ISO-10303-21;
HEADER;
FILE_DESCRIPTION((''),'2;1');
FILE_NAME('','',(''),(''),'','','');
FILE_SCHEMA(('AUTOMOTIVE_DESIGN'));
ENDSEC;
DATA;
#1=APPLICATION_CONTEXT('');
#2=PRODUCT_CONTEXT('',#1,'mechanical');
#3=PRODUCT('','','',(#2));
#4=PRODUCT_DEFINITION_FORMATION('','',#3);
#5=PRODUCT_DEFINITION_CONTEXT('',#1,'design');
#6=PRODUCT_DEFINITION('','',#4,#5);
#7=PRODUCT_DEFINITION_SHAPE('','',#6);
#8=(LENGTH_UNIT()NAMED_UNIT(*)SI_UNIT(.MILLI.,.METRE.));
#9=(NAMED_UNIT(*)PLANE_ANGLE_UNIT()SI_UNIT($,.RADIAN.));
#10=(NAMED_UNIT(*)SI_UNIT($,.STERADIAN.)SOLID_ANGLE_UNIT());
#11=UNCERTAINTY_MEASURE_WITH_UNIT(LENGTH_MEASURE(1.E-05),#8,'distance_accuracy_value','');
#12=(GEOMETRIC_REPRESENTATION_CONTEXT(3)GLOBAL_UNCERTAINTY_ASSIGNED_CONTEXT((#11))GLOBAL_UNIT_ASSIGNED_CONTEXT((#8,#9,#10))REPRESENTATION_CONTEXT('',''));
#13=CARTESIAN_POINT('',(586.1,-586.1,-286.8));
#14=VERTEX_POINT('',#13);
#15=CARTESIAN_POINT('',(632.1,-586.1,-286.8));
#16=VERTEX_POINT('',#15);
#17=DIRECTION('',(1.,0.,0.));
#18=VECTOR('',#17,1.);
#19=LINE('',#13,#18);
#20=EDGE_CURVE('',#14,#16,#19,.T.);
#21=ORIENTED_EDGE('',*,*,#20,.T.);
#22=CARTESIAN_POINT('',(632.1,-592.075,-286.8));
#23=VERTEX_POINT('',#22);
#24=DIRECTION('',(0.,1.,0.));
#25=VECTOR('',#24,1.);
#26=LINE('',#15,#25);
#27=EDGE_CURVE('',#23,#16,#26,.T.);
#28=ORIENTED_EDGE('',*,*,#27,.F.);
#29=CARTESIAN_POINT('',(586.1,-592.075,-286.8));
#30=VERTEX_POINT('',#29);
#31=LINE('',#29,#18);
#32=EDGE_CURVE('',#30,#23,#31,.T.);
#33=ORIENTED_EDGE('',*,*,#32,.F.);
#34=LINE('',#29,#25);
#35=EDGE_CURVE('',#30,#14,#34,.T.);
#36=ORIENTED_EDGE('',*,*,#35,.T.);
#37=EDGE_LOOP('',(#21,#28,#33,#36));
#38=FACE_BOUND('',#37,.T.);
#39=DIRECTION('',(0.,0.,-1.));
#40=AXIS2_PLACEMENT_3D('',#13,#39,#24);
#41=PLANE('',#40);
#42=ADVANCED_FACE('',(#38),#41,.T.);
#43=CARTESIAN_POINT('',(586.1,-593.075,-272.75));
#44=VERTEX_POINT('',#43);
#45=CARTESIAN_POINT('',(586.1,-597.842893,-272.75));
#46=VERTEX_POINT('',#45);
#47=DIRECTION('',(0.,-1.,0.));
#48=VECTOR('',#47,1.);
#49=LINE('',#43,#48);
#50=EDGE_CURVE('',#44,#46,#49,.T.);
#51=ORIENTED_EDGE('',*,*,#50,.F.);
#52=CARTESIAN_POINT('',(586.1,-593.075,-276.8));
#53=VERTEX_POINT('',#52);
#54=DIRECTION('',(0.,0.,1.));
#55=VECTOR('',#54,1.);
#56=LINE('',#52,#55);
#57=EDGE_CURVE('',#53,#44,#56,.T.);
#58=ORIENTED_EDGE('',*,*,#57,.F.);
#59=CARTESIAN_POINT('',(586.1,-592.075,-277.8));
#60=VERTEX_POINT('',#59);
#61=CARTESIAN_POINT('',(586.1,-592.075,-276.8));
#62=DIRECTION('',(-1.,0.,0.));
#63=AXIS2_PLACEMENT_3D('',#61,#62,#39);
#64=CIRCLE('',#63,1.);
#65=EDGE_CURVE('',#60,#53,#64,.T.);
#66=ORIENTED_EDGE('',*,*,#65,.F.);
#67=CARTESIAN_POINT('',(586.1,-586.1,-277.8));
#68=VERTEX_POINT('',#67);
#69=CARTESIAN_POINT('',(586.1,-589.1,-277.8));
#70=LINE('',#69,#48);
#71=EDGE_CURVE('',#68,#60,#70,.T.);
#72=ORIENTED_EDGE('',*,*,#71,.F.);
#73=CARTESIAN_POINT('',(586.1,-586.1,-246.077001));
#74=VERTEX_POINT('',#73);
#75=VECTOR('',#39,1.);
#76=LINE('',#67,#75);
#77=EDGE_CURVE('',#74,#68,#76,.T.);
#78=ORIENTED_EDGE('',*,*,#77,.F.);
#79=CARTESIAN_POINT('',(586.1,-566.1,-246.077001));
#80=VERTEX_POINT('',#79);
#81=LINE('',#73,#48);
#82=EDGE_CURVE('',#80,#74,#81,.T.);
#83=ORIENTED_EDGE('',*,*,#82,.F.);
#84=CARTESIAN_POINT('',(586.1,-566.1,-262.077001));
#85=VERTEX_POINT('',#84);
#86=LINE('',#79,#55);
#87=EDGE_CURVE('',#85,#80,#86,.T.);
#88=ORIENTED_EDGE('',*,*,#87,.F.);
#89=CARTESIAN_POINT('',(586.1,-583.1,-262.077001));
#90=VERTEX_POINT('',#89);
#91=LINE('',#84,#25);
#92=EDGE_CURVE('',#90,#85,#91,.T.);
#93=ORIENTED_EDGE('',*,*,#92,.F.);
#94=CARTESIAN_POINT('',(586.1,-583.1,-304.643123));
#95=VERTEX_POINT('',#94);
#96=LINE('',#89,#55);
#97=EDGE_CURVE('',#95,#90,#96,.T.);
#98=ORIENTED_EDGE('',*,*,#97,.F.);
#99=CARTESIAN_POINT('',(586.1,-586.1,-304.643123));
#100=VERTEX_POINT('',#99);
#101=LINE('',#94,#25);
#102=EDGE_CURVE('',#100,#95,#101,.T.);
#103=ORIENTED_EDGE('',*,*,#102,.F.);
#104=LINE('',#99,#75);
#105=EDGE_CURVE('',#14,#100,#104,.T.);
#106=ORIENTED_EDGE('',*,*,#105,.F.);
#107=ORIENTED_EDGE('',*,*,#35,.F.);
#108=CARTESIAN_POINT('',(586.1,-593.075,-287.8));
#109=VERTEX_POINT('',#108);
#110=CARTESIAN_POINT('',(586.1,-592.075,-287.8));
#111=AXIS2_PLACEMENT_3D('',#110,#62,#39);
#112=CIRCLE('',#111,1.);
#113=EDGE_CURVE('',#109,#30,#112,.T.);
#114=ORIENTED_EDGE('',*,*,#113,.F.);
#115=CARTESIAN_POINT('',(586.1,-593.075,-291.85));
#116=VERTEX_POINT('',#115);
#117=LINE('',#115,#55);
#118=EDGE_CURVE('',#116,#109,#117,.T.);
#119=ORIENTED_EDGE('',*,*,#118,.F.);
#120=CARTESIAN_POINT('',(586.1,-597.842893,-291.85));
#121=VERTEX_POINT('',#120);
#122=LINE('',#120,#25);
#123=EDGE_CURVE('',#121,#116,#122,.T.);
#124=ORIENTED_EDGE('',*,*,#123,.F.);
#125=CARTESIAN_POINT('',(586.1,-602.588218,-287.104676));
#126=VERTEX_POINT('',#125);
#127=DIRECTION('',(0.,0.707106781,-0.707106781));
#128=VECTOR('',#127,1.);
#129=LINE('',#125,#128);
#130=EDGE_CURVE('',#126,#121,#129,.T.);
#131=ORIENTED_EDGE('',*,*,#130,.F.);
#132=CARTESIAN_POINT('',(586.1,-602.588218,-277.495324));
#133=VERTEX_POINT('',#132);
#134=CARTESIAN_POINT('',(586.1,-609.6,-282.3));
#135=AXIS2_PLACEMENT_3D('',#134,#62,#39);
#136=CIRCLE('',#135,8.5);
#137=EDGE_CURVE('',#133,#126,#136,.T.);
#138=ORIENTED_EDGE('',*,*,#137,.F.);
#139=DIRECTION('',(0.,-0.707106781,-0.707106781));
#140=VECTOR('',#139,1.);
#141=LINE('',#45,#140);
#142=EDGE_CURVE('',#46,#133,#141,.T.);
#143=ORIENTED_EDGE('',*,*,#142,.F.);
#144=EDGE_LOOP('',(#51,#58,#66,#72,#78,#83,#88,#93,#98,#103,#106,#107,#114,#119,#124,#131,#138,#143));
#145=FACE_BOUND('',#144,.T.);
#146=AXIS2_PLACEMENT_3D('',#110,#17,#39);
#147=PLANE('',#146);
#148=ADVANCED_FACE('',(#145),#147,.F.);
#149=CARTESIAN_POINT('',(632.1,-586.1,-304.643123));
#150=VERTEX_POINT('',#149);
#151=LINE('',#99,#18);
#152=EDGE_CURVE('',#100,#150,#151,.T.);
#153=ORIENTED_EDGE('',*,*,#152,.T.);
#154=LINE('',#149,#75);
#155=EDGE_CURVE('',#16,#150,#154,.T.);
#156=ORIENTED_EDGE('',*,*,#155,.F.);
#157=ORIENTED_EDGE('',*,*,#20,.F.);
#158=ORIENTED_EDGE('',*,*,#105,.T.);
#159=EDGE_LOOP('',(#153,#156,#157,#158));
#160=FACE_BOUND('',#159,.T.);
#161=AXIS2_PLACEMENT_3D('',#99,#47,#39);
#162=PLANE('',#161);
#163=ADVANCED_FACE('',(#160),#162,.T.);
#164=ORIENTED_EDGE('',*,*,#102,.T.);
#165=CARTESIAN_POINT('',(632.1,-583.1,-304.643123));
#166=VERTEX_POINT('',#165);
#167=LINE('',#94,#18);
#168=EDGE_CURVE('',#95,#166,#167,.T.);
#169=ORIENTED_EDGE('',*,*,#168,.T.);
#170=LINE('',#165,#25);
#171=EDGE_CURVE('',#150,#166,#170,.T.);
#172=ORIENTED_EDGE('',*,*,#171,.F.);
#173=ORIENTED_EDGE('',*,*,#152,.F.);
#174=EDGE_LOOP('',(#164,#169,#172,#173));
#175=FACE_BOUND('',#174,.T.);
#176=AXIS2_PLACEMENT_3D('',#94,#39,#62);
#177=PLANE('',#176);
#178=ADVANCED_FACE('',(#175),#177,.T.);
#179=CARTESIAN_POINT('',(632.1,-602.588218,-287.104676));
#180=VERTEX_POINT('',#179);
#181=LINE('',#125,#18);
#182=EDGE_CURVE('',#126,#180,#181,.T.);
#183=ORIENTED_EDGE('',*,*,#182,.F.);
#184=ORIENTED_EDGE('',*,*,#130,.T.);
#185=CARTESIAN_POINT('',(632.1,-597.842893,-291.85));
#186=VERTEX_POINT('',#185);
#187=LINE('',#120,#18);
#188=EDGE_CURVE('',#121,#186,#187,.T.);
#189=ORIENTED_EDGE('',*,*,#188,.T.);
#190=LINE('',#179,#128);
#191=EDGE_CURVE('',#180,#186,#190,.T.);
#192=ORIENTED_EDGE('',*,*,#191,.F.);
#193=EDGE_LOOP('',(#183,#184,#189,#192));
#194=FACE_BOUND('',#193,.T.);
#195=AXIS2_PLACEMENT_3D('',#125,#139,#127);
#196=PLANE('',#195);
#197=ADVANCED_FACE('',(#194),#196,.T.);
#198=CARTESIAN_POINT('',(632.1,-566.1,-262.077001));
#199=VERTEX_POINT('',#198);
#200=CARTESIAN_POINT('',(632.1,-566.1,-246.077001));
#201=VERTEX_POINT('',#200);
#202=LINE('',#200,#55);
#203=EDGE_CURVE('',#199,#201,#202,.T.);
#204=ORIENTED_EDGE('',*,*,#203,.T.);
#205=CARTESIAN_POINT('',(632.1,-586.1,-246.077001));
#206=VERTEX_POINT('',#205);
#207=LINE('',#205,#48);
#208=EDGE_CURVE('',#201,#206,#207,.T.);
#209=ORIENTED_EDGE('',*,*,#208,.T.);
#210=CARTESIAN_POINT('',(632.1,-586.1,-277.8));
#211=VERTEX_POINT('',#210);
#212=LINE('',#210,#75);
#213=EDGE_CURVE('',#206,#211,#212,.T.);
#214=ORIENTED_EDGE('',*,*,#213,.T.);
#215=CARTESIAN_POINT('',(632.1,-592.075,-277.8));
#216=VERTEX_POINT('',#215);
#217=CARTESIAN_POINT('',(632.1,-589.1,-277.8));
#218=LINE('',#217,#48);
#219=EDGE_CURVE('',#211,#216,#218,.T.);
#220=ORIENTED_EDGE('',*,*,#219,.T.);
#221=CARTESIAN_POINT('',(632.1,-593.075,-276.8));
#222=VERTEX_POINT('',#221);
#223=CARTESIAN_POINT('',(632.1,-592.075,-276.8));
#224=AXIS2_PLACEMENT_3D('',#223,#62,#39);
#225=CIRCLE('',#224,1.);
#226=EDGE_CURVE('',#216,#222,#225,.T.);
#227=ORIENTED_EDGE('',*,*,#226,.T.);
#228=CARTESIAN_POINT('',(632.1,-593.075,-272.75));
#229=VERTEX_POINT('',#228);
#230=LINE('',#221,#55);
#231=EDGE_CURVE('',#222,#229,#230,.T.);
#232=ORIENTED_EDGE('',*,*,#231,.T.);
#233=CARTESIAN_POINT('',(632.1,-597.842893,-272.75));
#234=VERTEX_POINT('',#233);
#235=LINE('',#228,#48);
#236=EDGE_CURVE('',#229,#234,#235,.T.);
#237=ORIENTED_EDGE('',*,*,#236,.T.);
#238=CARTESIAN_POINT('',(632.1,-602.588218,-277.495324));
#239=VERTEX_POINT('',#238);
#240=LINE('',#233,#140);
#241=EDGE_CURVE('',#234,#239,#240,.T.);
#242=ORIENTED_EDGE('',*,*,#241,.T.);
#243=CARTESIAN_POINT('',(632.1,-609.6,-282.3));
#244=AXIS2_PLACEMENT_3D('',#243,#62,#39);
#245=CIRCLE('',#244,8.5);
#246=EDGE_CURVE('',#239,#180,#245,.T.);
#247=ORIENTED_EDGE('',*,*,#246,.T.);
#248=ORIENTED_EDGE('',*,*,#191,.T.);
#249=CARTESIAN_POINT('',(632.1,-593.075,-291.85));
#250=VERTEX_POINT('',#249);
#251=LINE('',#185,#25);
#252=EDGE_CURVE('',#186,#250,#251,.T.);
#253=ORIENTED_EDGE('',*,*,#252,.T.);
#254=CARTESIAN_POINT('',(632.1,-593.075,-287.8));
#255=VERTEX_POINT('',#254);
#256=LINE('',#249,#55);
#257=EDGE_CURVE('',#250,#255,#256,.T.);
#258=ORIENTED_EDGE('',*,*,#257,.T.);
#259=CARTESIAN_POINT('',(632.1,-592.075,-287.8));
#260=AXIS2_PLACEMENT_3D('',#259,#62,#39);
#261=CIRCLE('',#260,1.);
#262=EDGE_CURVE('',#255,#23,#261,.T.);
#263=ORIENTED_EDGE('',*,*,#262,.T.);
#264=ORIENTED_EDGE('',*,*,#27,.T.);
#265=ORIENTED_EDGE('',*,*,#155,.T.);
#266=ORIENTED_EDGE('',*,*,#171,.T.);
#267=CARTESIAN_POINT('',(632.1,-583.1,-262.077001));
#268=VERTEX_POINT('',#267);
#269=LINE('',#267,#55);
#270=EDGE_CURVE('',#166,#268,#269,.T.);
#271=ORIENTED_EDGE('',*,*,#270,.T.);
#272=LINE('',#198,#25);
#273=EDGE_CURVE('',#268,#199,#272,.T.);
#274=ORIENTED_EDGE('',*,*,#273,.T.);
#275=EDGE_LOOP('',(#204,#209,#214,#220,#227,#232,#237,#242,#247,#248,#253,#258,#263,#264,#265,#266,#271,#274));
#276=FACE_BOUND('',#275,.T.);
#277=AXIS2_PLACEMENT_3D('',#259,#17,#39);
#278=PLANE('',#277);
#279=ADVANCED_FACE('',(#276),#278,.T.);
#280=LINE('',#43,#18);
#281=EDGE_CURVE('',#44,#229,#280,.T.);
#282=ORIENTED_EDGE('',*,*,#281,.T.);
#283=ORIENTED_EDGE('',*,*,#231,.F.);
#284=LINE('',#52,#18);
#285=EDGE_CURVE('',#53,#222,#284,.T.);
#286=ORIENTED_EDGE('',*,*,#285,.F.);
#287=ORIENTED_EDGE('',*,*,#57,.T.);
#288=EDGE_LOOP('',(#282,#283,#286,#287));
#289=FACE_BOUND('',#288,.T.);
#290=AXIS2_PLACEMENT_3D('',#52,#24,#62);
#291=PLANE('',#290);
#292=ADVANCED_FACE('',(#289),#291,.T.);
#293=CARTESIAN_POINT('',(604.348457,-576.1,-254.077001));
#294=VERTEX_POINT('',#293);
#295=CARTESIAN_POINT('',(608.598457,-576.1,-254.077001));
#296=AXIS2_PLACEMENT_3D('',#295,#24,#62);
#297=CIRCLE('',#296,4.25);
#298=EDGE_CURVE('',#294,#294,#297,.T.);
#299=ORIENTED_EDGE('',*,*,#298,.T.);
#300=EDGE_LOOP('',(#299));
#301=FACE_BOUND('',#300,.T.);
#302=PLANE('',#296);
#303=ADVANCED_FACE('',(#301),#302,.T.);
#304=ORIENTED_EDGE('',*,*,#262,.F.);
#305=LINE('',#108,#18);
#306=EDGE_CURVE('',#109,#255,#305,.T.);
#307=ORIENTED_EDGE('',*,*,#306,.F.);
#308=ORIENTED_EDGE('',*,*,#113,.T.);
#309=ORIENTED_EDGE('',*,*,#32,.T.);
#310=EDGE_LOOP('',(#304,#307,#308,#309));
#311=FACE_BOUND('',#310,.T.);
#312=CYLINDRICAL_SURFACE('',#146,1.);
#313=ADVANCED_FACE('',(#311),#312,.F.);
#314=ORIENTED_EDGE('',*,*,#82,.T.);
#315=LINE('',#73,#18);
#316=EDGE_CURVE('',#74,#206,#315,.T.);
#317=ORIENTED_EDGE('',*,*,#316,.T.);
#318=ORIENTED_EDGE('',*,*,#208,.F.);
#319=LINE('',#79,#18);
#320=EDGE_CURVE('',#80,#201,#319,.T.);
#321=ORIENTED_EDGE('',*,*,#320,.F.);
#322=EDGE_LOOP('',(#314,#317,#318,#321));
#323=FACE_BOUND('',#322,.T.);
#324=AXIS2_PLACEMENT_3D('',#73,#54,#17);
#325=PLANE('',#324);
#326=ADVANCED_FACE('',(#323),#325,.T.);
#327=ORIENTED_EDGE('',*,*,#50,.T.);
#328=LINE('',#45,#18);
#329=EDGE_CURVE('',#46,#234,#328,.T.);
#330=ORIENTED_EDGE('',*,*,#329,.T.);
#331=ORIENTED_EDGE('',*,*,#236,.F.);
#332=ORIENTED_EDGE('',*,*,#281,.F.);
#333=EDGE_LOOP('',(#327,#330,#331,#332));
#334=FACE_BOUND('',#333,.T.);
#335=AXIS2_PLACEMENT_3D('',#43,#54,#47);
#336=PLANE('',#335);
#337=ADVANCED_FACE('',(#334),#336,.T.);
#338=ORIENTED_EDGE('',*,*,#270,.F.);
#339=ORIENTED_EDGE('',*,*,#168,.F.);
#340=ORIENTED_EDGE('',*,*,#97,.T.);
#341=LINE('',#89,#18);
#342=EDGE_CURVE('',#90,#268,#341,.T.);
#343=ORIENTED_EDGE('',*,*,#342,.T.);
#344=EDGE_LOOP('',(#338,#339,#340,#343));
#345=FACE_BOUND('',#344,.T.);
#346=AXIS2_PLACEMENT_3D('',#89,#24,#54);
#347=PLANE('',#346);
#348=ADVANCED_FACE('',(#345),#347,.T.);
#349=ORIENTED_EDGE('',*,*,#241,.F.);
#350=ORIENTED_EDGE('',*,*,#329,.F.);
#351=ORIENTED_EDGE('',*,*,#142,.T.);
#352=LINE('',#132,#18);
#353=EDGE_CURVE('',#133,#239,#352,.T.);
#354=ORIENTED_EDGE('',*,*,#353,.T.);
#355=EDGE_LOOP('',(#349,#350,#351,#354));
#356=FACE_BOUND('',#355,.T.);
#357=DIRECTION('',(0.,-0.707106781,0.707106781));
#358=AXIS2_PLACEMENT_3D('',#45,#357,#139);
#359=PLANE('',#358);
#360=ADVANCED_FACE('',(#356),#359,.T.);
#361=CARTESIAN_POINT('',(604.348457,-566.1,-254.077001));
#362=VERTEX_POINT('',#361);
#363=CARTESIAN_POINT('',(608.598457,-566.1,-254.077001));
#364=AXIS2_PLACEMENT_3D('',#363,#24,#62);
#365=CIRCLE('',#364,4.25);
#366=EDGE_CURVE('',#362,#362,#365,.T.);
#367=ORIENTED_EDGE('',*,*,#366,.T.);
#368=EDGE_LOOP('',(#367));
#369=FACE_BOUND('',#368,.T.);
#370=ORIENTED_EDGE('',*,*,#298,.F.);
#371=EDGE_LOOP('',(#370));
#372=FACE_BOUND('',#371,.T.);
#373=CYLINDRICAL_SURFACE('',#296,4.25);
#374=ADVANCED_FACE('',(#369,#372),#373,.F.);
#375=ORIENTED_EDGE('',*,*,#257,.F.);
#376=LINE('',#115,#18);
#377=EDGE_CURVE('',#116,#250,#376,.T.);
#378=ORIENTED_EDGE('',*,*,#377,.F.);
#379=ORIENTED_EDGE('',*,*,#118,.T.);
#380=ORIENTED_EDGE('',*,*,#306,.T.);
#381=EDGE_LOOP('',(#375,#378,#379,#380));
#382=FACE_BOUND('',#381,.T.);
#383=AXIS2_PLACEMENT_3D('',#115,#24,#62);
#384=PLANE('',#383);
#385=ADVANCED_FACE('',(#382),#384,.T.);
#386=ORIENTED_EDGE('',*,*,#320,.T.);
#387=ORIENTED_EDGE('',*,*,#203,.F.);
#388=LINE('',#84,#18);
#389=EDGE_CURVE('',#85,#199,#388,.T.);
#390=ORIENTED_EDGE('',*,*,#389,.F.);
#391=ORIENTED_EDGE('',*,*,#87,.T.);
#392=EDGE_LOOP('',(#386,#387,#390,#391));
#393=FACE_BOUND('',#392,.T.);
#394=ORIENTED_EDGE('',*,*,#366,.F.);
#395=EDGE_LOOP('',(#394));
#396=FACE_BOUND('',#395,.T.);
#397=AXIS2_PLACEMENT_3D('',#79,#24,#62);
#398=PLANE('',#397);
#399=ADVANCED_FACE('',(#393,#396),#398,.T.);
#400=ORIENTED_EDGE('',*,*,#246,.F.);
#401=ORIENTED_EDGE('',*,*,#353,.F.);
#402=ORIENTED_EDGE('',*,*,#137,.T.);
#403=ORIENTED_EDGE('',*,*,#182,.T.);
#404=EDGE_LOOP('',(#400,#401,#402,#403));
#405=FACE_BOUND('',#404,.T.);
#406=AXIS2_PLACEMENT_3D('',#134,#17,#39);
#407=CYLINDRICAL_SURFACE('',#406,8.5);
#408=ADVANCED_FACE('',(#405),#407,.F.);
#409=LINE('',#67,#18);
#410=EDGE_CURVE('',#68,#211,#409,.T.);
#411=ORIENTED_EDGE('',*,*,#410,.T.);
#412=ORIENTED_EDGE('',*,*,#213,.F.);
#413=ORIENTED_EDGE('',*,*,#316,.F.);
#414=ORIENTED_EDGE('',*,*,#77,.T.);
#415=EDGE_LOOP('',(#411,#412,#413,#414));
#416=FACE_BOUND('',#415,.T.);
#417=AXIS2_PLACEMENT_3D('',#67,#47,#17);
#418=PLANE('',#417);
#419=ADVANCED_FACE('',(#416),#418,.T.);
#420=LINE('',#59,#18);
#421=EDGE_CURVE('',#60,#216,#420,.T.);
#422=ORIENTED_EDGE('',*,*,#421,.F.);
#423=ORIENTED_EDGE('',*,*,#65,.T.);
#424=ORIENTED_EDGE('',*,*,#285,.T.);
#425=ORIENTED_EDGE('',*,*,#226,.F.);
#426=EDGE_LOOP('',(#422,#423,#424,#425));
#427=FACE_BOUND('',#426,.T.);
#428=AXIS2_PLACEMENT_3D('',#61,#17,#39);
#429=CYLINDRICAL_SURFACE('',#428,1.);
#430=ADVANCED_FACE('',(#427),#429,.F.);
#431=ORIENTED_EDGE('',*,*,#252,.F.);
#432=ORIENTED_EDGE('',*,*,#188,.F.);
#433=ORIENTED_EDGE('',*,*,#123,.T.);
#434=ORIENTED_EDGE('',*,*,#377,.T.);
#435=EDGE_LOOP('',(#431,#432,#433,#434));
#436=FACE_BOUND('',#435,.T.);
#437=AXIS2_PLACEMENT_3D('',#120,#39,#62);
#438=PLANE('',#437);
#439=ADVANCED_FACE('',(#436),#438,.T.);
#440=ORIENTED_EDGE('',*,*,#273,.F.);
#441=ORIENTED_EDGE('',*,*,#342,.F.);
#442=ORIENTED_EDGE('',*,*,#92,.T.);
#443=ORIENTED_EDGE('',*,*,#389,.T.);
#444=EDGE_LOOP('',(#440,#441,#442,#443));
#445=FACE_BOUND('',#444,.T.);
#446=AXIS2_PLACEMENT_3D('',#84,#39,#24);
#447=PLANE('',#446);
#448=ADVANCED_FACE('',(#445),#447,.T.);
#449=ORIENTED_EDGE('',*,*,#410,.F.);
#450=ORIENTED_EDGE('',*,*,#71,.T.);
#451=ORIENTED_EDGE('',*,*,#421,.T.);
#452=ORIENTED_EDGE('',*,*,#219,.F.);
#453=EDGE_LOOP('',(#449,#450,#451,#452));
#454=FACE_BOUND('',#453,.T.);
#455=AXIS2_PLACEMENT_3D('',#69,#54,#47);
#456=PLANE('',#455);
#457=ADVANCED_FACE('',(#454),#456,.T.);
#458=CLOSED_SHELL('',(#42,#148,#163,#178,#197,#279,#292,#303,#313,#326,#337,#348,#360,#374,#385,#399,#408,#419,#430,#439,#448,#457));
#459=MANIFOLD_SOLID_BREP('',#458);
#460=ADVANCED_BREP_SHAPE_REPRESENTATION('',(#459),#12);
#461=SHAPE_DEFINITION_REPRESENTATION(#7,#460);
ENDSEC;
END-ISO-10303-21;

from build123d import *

# Parameters (mm, degrees)
BOSS_EXTRUDE1_DEPTH = 46
SKETCH2_R           = 4.25
CUT_EXTRUDE1_DEPTH  = 10


with BuildPart() as part:
    # Sketch1 → Boss-Extrude1 (new body)
    with BuildSketch(Plane(origin=(632.1, 0, 0), x_dir=(0, 0, -1), z_dir=(1, 0, 0))):
        with BuildLine():
            Line((277.8, -589.1), (277.8, -586.1))
            Line((277.8, -586.1), (246.077000521, -586.1))
            Line((246.077000521, -586.1), (246.077000521, -566.1))
            Line((246.077000521, -566.1), (262.077000521, -566.1))
            Line((262.077000521, -566.1), (262.077000521, -583.1))
            Line((262.077000521, -583.1), (304.643123208, -583.1))
            Line((304.643123208, -583.1), (304.643123208, -586.1))
            Line((304.643123208, -586.1), (286.8, -586.1))
            Line((286.8, -586.1), (286.8, -589.1))
            Line((286.8, -589.1), (286.8, -592.075))
            ThreePointArc((286.8, -592.075), (287.092893219, -592.782106781), (287.8, -593.075))
            Line((287.8, -593.075), (291.85, -593.075))
            Line((291.85, -593.075), (291.85, -597.842893219))
            Line((291.85, -597.842893219), (287.104675609, -602.58821761))
            ThreePointArc((287.104675609, -602.58821761), (282.3, -601.1), (277.495324391, -602.58821761))
            Line((277.495324391, -602.58821761), (272.75, -597.842893219))
            Line((272.75, -597.842893219), (272.75, -593.075))
            Line((272.75, -593.075), (276.8, -593.075))
            ThreePointArc((276.8, -593.075), (277.507106781, -592.782106781), (277.8, -592.075))
            Line((277.8, -592.075), (277.8, -589.1))
        make_face()
    extrude(amount=-BOSS_EXTRUDE1_DEPTH)

    # Sketch2 → Cut-Extrude1 (cut)
    with BuildSketch(Plane(origin=(0, -566.1, 0), x_dir=(1, 0, 0), z_dir=(0, 1, 0))):
        with Locations((608.598456538, 254.077000521)):
            Circle(SKETCH2_R)
    extrude(amount=-CUT_EXTRUDE1_DEPTH, mode=Mode.SUBTRACT)


solid = part.part
